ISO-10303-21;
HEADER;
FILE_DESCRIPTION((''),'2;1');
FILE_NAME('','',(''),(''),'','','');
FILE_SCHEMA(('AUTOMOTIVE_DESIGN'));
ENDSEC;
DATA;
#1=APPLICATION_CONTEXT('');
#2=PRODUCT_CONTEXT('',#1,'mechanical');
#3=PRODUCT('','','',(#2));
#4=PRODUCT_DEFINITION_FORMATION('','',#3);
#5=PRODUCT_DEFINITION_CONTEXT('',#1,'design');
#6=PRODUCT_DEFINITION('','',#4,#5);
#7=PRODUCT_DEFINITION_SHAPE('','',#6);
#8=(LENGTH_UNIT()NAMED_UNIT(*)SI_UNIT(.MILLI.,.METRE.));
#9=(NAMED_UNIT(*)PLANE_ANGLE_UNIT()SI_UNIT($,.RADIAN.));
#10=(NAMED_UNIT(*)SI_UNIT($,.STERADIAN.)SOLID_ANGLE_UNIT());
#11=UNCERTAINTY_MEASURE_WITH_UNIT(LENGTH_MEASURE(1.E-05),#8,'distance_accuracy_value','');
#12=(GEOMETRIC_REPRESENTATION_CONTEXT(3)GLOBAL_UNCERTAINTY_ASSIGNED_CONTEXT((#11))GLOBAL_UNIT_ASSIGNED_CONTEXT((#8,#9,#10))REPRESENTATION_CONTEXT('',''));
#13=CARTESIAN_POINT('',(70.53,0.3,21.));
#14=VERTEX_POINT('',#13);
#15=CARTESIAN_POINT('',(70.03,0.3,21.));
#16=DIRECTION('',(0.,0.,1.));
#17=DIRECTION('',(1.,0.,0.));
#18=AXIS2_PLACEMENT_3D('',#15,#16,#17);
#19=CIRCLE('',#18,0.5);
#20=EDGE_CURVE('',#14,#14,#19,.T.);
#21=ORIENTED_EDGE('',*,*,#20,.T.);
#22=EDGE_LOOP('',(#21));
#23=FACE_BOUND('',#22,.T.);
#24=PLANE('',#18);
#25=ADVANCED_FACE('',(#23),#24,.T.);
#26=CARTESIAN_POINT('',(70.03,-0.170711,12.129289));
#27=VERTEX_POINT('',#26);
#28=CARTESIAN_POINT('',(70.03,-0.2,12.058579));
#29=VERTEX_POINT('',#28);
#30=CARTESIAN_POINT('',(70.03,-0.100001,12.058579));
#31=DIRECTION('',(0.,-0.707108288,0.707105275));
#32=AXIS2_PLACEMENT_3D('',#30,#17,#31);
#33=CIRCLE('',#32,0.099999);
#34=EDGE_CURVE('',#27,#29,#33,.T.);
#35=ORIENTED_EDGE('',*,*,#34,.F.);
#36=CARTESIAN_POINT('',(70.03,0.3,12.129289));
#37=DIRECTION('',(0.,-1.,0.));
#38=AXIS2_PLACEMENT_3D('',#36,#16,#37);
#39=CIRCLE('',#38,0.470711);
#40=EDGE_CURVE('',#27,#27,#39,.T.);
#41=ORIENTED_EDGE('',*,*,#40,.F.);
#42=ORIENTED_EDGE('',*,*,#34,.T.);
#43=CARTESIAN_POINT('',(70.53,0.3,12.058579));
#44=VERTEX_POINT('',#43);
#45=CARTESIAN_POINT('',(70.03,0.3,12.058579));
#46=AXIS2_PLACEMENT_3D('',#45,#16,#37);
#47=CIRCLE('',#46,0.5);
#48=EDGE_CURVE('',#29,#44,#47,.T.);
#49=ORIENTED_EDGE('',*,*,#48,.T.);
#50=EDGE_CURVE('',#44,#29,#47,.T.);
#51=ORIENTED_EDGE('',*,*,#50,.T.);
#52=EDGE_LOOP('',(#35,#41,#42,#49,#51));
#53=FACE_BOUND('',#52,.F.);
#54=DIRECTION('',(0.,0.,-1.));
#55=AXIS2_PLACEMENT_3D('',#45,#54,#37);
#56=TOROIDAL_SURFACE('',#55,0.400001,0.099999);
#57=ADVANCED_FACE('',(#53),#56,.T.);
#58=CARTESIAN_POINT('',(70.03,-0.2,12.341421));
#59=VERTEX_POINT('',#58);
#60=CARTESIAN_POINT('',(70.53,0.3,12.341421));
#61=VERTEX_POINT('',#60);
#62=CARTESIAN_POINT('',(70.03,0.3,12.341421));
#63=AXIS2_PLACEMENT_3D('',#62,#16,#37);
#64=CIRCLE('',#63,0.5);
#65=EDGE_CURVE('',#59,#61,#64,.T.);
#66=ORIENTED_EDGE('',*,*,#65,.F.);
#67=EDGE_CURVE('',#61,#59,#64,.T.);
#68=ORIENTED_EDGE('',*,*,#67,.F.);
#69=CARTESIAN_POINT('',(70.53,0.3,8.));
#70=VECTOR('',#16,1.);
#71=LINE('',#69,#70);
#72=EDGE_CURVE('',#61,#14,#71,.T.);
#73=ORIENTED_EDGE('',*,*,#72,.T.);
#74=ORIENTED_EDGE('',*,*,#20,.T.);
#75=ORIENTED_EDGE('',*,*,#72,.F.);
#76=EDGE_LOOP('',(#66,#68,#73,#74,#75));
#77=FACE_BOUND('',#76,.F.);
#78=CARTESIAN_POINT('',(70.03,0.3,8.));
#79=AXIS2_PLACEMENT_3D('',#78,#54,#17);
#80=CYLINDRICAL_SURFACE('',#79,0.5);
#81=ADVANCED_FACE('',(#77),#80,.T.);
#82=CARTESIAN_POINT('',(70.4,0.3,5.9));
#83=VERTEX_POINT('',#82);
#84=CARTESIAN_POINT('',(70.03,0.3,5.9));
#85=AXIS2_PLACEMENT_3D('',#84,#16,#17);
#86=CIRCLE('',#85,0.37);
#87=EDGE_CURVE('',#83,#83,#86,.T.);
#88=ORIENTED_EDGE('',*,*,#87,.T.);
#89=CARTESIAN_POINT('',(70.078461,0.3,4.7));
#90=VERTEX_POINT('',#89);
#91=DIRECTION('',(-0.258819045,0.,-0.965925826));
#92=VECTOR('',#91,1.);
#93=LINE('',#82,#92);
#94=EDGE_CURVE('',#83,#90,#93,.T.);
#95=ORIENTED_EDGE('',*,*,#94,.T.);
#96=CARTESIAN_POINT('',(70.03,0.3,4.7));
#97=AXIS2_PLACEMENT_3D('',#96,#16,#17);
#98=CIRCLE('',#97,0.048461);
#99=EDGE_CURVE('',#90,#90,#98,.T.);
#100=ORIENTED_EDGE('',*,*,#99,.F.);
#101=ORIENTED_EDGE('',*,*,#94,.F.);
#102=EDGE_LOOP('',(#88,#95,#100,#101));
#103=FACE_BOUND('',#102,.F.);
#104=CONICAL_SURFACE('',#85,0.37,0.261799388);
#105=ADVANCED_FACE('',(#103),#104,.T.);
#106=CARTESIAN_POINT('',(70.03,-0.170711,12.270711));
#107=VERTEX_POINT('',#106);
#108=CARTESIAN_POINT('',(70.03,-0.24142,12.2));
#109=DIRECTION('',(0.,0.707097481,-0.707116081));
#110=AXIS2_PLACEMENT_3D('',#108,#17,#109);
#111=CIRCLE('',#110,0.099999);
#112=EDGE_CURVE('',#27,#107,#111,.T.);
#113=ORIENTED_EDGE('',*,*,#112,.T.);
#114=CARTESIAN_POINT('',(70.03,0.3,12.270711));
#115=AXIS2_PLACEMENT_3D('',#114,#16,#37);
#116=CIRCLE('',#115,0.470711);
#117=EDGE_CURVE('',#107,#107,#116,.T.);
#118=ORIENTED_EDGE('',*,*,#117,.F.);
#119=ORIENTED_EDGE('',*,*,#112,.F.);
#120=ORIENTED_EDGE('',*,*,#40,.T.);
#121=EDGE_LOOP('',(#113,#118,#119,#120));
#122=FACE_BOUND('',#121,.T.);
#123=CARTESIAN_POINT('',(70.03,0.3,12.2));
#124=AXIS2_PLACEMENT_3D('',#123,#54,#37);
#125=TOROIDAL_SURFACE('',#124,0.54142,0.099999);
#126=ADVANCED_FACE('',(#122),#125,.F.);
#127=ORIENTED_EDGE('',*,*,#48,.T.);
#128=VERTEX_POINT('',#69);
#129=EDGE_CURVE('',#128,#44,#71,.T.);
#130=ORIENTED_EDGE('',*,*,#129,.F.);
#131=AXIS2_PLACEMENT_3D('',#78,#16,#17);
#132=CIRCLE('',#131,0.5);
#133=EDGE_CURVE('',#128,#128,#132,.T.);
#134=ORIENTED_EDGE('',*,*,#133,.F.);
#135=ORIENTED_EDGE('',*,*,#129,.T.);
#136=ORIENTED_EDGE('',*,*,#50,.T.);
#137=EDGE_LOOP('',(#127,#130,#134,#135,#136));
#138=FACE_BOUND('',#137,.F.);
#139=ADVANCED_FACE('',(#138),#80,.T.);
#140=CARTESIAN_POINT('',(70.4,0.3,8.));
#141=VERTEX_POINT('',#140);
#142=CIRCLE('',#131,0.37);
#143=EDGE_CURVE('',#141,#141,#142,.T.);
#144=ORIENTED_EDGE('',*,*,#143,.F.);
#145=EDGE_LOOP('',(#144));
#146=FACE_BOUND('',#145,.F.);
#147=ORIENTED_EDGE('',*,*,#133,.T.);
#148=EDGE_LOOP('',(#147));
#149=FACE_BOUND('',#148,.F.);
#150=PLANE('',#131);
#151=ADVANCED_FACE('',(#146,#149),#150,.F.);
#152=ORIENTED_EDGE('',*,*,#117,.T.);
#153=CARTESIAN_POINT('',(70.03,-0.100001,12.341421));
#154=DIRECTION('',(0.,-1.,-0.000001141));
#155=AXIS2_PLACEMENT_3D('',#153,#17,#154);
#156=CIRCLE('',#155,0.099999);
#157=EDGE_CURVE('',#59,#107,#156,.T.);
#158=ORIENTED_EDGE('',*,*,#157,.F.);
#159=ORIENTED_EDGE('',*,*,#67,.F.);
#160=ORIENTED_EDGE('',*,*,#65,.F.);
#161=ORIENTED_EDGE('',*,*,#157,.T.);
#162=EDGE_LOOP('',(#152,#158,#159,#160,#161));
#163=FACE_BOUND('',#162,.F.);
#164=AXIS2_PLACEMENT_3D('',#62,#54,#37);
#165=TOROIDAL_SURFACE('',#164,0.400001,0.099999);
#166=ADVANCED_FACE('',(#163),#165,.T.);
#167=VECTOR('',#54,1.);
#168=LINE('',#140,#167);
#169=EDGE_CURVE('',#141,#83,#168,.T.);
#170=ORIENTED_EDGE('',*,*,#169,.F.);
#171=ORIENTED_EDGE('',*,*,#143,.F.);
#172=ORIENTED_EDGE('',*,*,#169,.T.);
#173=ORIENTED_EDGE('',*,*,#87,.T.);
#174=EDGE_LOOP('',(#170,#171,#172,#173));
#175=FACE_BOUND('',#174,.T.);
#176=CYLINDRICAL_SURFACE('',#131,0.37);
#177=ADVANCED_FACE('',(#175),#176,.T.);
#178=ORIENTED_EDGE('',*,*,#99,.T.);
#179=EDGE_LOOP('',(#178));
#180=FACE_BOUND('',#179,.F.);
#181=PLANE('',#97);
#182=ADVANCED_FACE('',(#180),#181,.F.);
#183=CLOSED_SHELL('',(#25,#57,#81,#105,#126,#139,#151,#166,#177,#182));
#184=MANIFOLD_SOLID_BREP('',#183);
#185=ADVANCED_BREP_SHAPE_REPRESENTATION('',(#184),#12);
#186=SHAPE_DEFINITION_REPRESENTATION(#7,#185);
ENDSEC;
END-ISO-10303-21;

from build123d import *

# Parameters (mm, degrees)
SKETCH037_R      = 0.5
PAD003_DEPTH     = 13
SKETCH038_R      = 0.37
PAD004_DEPTH     = 3.3
CHAMFER004_ANGLE = 15
CHAMFER004_SIZE  = 1.2


with BuildPart() as part:
    # Sketch037 → Pad003 (new body)
    with BuildSketch(Plane.XY):
        Circle(SKETCH037_R)
    extrude(amount=PAD003_DEPTH)

    # Sketch048 → Groove (revolve, cut)
    with BuildSketch(Plane.YZ):
        with BuildLine():
            ThreePointArc((-0.5, 4.341421), (-0.492388, 4.303153), (-0.470711, 4.270711))
            ThreePointArc((-0.470711, 4.129289), (-0.441421, 4.2), (-0.470711, 4.270711))
            ThreePointArc((-0.470711, 4.129289), (-0.492388, 4.096847), (-0.5, 4.058579))
            Line((-0.5, 4.341421), (-0.5, 4.058579))
        make_face()
    revolve(axis=Axis((0, 0, 0), (0, 0, 1)), mode=Mode.SUBTRACT)

    # Sketch038 → Pad004 (join)
    with BuildSketch(Plane.XY):
        Circle(SKETCH038_R)
    extrude(amount=-PAD004_DEPTH)

    # Chamfer004
    chamfer004_edges = [part.edges().sort_by_distance(p)[0] for p in [
        (-0.37, 0, -3.3),
    ]]
    chamfer004_side = part.faces().sort_by_distance((-0.37, 0, -1.65))[0]
    chamfer(chamfer004_edges, length=CHAMFER004_SIZE, angle=CHAMFER004_ANGLE, reference=chamfer004_side)


with BuildPart() as part_1:
    # Body002 placement: moved
    add(part.part.moved(Location((72, -1, 8))))


with BuildPart() as part_2:
    # Clone008 placement: moved
    add(part_1.part.moved(Location((-72, 1, -8))))


with BuildPart() as part_3:
    # Body015 placement: moved
    add(part_2.part.moved(Location((70.03, 0.3, 8))))


solid = part_3.part
